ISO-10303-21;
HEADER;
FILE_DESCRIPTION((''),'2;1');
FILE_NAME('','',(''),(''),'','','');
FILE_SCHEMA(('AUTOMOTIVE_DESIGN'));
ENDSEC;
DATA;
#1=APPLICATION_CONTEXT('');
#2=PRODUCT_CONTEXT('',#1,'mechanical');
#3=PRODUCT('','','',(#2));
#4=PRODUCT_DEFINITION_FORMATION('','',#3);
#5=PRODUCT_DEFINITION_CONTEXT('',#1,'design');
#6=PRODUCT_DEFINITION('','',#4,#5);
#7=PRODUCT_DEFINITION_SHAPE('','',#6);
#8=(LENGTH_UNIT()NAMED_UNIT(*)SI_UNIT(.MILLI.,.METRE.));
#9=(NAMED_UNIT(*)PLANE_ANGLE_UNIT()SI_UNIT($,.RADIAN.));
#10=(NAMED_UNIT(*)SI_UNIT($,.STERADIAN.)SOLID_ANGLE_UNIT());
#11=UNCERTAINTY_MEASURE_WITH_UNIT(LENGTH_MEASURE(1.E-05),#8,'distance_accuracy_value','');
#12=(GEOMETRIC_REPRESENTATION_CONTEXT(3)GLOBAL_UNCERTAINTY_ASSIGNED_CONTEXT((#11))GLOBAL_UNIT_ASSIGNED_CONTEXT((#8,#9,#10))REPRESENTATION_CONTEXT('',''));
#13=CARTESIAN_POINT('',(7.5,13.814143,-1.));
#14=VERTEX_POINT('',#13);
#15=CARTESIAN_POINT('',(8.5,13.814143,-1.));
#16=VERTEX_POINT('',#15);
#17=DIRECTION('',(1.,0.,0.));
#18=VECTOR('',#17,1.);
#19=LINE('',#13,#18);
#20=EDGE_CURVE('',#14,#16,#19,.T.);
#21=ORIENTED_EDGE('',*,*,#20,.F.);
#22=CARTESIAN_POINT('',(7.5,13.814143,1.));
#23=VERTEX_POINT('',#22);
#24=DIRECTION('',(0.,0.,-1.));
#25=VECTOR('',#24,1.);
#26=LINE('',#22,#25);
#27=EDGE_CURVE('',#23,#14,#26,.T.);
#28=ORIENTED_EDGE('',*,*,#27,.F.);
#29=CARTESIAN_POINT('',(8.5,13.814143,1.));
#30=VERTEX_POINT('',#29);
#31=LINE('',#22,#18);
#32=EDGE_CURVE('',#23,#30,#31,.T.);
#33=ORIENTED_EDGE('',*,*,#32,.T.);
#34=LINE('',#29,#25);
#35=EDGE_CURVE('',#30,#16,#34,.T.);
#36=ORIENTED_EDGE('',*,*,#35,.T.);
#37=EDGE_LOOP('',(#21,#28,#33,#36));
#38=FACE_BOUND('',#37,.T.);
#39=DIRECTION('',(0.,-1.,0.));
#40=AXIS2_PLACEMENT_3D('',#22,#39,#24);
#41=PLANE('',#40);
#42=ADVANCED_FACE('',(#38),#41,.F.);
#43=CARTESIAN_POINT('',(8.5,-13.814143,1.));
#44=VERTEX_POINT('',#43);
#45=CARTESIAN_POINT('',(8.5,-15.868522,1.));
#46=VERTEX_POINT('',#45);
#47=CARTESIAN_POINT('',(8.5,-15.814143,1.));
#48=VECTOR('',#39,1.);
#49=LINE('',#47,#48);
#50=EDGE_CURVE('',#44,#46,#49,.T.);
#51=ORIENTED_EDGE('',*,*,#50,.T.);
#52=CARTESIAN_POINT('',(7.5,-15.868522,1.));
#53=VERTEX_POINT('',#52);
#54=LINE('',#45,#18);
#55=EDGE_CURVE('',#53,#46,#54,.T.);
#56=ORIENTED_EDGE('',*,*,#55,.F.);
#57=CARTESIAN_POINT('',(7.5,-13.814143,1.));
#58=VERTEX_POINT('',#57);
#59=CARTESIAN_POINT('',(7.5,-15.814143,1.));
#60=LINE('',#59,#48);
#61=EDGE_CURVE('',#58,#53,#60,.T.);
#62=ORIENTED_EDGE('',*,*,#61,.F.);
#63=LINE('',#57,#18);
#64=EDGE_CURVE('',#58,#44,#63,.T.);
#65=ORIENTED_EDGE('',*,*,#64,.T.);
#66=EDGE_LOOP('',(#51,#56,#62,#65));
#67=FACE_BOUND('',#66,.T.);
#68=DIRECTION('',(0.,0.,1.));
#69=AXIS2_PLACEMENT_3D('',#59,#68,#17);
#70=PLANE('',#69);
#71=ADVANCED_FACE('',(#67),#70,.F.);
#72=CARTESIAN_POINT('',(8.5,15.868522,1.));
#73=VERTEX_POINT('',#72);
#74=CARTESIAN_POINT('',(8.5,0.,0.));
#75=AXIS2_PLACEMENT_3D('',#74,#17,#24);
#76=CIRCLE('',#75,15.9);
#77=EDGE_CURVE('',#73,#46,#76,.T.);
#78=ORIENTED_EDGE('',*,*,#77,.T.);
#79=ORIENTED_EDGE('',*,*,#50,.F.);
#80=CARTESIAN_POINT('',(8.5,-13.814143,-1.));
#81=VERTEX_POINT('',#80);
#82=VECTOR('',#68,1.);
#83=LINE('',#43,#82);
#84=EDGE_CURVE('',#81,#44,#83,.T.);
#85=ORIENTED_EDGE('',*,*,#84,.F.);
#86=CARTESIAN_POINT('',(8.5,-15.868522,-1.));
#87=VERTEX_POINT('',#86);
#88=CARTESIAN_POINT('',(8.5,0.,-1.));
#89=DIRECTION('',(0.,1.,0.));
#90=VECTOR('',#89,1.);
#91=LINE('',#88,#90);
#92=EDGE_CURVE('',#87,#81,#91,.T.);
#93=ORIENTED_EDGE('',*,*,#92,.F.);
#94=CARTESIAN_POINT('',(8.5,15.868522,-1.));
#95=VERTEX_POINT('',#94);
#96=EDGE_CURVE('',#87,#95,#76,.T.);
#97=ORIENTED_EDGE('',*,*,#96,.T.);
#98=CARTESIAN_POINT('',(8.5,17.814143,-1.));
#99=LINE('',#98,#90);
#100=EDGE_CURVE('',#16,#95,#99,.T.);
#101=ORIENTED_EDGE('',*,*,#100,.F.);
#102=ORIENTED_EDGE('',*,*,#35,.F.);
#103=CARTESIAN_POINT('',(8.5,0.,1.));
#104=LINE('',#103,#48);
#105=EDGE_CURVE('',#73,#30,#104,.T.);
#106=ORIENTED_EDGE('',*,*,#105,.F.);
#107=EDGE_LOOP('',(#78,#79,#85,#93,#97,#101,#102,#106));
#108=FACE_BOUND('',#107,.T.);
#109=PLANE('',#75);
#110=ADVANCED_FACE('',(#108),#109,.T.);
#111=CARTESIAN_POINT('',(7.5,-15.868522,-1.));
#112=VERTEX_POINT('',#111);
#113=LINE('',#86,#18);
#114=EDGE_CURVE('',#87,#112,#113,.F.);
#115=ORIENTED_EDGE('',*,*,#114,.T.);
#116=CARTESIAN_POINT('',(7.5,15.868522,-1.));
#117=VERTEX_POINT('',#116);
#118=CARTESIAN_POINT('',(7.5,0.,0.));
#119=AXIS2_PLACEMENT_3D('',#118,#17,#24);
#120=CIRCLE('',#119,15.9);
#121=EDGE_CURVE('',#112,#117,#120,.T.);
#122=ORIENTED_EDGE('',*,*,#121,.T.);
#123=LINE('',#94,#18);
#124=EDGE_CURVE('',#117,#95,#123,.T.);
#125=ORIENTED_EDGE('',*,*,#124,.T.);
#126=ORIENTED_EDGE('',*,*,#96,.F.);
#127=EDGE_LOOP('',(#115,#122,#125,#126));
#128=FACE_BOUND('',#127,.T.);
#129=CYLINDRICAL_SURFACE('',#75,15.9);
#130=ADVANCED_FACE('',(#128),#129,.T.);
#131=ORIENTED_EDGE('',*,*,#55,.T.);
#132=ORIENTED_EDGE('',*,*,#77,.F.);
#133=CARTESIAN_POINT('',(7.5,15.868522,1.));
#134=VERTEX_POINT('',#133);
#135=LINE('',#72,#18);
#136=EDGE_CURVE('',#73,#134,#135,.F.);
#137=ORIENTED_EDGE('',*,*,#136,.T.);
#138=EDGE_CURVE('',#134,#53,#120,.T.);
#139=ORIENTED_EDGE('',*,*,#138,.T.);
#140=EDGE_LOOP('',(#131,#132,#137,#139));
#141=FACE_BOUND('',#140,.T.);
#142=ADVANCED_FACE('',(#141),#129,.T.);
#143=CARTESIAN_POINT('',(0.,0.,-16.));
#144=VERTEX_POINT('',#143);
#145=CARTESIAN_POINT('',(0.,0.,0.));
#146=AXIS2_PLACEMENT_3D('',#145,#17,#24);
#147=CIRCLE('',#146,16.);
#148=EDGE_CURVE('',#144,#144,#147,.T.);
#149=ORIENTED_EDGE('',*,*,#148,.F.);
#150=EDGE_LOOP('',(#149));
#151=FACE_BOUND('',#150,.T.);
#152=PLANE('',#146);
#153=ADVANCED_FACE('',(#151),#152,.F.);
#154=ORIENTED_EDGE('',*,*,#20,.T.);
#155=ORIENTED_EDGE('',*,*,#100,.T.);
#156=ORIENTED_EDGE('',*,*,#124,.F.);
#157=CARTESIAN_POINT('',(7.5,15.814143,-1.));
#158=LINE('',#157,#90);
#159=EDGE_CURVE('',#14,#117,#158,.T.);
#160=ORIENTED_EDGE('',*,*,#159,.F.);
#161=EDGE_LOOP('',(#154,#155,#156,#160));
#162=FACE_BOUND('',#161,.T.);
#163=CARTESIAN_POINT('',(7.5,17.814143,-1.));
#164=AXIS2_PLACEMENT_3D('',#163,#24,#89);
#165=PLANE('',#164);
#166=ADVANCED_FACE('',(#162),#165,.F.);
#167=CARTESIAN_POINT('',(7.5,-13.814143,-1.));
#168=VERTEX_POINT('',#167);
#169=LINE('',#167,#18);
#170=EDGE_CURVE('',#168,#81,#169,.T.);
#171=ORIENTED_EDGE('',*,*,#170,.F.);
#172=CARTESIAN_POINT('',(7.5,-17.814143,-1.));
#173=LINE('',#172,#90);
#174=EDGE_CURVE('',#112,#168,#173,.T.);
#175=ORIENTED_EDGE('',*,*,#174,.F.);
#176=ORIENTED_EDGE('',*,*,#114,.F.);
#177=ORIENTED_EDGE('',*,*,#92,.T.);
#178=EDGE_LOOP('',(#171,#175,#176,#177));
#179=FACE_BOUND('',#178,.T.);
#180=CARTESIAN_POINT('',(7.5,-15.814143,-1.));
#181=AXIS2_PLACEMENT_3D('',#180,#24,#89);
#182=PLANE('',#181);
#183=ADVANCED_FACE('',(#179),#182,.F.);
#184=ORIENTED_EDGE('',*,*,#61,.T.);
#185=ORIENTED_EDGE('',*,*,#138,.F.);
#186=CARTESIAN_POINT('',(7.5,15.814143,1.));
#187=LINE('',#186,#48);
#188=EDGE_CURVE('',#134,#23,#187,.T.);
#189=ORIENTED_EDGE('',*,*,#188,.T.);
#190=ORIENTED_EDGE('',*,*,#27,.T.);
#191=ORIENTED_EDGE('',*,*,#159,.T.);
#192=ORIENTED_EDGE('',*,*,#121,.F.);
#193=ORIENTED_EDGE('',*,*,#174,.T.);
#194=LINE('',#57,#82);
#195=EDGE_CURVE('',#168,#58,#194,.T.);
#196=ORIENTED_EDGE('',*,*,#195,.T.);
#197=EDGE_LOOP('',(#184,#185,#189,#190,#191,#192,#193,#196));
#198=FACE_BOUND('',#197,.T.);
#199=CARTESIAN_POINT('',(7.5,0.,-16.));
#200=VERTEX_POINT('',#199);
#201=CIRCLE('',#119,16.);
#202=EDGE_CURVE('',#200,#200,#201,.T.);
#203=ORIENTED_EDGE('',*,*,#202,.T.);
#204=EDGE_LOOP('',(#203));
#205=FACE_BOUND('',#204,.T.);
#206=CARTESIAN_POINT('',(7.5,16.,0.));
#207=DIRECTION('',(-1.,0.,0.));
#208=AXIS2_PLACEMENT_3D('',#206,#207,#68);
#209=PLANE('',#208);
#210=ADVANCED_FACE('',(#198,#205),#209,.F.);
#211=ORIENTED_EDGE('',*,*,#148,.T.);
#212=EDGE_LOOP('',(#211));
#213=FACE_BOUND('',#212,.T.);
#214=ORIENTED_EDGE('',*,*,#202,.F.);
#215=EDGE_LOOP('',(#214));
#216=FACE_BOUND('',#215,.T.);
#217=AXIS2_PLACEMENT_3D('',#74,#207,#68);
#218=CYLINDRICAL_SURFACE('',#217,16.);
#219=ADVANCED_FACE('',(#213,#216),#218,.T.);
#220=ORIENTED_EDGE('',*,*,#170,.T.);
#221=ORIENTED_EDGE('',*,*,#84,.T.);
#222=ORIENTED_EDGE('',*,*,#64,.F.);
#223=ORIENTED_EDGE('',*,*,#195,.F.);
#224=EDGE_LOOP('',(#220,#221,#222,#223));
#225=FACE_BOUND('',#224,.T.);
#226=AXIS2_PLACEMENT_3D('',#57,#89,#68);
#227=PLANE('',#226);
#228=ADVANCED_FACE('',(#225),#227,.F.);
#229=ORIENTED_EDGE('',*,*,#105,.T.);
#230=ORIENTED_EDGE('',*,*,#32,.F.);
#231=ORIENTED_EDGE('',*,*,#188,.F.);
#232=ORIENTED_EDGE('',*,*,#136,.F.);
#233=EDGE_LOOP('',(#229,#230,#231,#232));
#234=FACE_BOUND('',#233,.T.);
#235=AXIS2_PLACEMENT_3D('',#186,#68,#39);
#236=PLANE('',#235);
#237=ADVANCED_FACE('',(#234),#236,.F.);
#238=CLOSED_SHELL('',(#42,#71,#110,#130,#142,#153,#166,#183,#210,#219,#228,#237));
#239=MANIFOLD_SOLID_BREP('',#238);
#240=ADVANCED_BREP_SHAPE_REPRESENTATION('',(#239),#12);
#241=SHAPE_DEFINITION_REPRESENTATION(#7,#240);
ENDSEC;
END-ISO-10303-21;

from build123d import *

# Parameters (mm, degrees)
SKETCH1_R           = 16
BOSS_EXTRUDE1_DEPTH = 8.5
SKETCH2_W           = 1
SKETCH2_H           = 0.1
CUT_EXTRUDE1_DEPTH  = 1


with BuildPart() as part:
    # Sketch1 → Boss-Extrude1 (new body)
    with BuildSketch(Plane(origin=(0, 0, 0), x_dir=(0, 0, -1), z_dir=(1, 0, 0))):
        Circle(SKETCH1_R)
    extrude(amount=BOSS_EXTRUDE1_DEPTH)

    # Sketch2 → Cut-Revolve1 (revolve, cut)
    with BuildSketch(Plane.XY, mode=Mode.PRIVATE) as cut_revolve1_sk:
        with Locations((8, 15.95)):
            Rectangle(SKETCH2_W, SKETCH2_H)
    revolve(cut_revolve1_sk.sketch.rotate(Axis((8.5, 0, 0), (-1, 0, 0)), 90), axis=Axis((8.5, 0, 0), (-1, 0, 0)), mode=Mode.SUBTRACT)

    # Sketch3 → Cut-Extrude1 (cut)
    with BuildSketch(Plane(origin=(8.5, 0, 0), x_dir=(0, 0, -1), z_dir=(1, 0, 0))):
        Polygon((-1, 15.814143289), (-1, 17.814143289), (1, 17.814143289), (1, 15.814143289), (1, 13.814143289), (-1, 13.814143289), align=None)
        Polygon((1, -17.814143289), (1, -15.814143289), (1, -13.814143289), (-1, -13.814143289), (-1, -15.814143289), (-1, -17.814143289), align=None)
    extrude(amount=-CUT_EXTRUDE1_DEPTH, mode=Mode.SUBTRACT)


solid = part.part
